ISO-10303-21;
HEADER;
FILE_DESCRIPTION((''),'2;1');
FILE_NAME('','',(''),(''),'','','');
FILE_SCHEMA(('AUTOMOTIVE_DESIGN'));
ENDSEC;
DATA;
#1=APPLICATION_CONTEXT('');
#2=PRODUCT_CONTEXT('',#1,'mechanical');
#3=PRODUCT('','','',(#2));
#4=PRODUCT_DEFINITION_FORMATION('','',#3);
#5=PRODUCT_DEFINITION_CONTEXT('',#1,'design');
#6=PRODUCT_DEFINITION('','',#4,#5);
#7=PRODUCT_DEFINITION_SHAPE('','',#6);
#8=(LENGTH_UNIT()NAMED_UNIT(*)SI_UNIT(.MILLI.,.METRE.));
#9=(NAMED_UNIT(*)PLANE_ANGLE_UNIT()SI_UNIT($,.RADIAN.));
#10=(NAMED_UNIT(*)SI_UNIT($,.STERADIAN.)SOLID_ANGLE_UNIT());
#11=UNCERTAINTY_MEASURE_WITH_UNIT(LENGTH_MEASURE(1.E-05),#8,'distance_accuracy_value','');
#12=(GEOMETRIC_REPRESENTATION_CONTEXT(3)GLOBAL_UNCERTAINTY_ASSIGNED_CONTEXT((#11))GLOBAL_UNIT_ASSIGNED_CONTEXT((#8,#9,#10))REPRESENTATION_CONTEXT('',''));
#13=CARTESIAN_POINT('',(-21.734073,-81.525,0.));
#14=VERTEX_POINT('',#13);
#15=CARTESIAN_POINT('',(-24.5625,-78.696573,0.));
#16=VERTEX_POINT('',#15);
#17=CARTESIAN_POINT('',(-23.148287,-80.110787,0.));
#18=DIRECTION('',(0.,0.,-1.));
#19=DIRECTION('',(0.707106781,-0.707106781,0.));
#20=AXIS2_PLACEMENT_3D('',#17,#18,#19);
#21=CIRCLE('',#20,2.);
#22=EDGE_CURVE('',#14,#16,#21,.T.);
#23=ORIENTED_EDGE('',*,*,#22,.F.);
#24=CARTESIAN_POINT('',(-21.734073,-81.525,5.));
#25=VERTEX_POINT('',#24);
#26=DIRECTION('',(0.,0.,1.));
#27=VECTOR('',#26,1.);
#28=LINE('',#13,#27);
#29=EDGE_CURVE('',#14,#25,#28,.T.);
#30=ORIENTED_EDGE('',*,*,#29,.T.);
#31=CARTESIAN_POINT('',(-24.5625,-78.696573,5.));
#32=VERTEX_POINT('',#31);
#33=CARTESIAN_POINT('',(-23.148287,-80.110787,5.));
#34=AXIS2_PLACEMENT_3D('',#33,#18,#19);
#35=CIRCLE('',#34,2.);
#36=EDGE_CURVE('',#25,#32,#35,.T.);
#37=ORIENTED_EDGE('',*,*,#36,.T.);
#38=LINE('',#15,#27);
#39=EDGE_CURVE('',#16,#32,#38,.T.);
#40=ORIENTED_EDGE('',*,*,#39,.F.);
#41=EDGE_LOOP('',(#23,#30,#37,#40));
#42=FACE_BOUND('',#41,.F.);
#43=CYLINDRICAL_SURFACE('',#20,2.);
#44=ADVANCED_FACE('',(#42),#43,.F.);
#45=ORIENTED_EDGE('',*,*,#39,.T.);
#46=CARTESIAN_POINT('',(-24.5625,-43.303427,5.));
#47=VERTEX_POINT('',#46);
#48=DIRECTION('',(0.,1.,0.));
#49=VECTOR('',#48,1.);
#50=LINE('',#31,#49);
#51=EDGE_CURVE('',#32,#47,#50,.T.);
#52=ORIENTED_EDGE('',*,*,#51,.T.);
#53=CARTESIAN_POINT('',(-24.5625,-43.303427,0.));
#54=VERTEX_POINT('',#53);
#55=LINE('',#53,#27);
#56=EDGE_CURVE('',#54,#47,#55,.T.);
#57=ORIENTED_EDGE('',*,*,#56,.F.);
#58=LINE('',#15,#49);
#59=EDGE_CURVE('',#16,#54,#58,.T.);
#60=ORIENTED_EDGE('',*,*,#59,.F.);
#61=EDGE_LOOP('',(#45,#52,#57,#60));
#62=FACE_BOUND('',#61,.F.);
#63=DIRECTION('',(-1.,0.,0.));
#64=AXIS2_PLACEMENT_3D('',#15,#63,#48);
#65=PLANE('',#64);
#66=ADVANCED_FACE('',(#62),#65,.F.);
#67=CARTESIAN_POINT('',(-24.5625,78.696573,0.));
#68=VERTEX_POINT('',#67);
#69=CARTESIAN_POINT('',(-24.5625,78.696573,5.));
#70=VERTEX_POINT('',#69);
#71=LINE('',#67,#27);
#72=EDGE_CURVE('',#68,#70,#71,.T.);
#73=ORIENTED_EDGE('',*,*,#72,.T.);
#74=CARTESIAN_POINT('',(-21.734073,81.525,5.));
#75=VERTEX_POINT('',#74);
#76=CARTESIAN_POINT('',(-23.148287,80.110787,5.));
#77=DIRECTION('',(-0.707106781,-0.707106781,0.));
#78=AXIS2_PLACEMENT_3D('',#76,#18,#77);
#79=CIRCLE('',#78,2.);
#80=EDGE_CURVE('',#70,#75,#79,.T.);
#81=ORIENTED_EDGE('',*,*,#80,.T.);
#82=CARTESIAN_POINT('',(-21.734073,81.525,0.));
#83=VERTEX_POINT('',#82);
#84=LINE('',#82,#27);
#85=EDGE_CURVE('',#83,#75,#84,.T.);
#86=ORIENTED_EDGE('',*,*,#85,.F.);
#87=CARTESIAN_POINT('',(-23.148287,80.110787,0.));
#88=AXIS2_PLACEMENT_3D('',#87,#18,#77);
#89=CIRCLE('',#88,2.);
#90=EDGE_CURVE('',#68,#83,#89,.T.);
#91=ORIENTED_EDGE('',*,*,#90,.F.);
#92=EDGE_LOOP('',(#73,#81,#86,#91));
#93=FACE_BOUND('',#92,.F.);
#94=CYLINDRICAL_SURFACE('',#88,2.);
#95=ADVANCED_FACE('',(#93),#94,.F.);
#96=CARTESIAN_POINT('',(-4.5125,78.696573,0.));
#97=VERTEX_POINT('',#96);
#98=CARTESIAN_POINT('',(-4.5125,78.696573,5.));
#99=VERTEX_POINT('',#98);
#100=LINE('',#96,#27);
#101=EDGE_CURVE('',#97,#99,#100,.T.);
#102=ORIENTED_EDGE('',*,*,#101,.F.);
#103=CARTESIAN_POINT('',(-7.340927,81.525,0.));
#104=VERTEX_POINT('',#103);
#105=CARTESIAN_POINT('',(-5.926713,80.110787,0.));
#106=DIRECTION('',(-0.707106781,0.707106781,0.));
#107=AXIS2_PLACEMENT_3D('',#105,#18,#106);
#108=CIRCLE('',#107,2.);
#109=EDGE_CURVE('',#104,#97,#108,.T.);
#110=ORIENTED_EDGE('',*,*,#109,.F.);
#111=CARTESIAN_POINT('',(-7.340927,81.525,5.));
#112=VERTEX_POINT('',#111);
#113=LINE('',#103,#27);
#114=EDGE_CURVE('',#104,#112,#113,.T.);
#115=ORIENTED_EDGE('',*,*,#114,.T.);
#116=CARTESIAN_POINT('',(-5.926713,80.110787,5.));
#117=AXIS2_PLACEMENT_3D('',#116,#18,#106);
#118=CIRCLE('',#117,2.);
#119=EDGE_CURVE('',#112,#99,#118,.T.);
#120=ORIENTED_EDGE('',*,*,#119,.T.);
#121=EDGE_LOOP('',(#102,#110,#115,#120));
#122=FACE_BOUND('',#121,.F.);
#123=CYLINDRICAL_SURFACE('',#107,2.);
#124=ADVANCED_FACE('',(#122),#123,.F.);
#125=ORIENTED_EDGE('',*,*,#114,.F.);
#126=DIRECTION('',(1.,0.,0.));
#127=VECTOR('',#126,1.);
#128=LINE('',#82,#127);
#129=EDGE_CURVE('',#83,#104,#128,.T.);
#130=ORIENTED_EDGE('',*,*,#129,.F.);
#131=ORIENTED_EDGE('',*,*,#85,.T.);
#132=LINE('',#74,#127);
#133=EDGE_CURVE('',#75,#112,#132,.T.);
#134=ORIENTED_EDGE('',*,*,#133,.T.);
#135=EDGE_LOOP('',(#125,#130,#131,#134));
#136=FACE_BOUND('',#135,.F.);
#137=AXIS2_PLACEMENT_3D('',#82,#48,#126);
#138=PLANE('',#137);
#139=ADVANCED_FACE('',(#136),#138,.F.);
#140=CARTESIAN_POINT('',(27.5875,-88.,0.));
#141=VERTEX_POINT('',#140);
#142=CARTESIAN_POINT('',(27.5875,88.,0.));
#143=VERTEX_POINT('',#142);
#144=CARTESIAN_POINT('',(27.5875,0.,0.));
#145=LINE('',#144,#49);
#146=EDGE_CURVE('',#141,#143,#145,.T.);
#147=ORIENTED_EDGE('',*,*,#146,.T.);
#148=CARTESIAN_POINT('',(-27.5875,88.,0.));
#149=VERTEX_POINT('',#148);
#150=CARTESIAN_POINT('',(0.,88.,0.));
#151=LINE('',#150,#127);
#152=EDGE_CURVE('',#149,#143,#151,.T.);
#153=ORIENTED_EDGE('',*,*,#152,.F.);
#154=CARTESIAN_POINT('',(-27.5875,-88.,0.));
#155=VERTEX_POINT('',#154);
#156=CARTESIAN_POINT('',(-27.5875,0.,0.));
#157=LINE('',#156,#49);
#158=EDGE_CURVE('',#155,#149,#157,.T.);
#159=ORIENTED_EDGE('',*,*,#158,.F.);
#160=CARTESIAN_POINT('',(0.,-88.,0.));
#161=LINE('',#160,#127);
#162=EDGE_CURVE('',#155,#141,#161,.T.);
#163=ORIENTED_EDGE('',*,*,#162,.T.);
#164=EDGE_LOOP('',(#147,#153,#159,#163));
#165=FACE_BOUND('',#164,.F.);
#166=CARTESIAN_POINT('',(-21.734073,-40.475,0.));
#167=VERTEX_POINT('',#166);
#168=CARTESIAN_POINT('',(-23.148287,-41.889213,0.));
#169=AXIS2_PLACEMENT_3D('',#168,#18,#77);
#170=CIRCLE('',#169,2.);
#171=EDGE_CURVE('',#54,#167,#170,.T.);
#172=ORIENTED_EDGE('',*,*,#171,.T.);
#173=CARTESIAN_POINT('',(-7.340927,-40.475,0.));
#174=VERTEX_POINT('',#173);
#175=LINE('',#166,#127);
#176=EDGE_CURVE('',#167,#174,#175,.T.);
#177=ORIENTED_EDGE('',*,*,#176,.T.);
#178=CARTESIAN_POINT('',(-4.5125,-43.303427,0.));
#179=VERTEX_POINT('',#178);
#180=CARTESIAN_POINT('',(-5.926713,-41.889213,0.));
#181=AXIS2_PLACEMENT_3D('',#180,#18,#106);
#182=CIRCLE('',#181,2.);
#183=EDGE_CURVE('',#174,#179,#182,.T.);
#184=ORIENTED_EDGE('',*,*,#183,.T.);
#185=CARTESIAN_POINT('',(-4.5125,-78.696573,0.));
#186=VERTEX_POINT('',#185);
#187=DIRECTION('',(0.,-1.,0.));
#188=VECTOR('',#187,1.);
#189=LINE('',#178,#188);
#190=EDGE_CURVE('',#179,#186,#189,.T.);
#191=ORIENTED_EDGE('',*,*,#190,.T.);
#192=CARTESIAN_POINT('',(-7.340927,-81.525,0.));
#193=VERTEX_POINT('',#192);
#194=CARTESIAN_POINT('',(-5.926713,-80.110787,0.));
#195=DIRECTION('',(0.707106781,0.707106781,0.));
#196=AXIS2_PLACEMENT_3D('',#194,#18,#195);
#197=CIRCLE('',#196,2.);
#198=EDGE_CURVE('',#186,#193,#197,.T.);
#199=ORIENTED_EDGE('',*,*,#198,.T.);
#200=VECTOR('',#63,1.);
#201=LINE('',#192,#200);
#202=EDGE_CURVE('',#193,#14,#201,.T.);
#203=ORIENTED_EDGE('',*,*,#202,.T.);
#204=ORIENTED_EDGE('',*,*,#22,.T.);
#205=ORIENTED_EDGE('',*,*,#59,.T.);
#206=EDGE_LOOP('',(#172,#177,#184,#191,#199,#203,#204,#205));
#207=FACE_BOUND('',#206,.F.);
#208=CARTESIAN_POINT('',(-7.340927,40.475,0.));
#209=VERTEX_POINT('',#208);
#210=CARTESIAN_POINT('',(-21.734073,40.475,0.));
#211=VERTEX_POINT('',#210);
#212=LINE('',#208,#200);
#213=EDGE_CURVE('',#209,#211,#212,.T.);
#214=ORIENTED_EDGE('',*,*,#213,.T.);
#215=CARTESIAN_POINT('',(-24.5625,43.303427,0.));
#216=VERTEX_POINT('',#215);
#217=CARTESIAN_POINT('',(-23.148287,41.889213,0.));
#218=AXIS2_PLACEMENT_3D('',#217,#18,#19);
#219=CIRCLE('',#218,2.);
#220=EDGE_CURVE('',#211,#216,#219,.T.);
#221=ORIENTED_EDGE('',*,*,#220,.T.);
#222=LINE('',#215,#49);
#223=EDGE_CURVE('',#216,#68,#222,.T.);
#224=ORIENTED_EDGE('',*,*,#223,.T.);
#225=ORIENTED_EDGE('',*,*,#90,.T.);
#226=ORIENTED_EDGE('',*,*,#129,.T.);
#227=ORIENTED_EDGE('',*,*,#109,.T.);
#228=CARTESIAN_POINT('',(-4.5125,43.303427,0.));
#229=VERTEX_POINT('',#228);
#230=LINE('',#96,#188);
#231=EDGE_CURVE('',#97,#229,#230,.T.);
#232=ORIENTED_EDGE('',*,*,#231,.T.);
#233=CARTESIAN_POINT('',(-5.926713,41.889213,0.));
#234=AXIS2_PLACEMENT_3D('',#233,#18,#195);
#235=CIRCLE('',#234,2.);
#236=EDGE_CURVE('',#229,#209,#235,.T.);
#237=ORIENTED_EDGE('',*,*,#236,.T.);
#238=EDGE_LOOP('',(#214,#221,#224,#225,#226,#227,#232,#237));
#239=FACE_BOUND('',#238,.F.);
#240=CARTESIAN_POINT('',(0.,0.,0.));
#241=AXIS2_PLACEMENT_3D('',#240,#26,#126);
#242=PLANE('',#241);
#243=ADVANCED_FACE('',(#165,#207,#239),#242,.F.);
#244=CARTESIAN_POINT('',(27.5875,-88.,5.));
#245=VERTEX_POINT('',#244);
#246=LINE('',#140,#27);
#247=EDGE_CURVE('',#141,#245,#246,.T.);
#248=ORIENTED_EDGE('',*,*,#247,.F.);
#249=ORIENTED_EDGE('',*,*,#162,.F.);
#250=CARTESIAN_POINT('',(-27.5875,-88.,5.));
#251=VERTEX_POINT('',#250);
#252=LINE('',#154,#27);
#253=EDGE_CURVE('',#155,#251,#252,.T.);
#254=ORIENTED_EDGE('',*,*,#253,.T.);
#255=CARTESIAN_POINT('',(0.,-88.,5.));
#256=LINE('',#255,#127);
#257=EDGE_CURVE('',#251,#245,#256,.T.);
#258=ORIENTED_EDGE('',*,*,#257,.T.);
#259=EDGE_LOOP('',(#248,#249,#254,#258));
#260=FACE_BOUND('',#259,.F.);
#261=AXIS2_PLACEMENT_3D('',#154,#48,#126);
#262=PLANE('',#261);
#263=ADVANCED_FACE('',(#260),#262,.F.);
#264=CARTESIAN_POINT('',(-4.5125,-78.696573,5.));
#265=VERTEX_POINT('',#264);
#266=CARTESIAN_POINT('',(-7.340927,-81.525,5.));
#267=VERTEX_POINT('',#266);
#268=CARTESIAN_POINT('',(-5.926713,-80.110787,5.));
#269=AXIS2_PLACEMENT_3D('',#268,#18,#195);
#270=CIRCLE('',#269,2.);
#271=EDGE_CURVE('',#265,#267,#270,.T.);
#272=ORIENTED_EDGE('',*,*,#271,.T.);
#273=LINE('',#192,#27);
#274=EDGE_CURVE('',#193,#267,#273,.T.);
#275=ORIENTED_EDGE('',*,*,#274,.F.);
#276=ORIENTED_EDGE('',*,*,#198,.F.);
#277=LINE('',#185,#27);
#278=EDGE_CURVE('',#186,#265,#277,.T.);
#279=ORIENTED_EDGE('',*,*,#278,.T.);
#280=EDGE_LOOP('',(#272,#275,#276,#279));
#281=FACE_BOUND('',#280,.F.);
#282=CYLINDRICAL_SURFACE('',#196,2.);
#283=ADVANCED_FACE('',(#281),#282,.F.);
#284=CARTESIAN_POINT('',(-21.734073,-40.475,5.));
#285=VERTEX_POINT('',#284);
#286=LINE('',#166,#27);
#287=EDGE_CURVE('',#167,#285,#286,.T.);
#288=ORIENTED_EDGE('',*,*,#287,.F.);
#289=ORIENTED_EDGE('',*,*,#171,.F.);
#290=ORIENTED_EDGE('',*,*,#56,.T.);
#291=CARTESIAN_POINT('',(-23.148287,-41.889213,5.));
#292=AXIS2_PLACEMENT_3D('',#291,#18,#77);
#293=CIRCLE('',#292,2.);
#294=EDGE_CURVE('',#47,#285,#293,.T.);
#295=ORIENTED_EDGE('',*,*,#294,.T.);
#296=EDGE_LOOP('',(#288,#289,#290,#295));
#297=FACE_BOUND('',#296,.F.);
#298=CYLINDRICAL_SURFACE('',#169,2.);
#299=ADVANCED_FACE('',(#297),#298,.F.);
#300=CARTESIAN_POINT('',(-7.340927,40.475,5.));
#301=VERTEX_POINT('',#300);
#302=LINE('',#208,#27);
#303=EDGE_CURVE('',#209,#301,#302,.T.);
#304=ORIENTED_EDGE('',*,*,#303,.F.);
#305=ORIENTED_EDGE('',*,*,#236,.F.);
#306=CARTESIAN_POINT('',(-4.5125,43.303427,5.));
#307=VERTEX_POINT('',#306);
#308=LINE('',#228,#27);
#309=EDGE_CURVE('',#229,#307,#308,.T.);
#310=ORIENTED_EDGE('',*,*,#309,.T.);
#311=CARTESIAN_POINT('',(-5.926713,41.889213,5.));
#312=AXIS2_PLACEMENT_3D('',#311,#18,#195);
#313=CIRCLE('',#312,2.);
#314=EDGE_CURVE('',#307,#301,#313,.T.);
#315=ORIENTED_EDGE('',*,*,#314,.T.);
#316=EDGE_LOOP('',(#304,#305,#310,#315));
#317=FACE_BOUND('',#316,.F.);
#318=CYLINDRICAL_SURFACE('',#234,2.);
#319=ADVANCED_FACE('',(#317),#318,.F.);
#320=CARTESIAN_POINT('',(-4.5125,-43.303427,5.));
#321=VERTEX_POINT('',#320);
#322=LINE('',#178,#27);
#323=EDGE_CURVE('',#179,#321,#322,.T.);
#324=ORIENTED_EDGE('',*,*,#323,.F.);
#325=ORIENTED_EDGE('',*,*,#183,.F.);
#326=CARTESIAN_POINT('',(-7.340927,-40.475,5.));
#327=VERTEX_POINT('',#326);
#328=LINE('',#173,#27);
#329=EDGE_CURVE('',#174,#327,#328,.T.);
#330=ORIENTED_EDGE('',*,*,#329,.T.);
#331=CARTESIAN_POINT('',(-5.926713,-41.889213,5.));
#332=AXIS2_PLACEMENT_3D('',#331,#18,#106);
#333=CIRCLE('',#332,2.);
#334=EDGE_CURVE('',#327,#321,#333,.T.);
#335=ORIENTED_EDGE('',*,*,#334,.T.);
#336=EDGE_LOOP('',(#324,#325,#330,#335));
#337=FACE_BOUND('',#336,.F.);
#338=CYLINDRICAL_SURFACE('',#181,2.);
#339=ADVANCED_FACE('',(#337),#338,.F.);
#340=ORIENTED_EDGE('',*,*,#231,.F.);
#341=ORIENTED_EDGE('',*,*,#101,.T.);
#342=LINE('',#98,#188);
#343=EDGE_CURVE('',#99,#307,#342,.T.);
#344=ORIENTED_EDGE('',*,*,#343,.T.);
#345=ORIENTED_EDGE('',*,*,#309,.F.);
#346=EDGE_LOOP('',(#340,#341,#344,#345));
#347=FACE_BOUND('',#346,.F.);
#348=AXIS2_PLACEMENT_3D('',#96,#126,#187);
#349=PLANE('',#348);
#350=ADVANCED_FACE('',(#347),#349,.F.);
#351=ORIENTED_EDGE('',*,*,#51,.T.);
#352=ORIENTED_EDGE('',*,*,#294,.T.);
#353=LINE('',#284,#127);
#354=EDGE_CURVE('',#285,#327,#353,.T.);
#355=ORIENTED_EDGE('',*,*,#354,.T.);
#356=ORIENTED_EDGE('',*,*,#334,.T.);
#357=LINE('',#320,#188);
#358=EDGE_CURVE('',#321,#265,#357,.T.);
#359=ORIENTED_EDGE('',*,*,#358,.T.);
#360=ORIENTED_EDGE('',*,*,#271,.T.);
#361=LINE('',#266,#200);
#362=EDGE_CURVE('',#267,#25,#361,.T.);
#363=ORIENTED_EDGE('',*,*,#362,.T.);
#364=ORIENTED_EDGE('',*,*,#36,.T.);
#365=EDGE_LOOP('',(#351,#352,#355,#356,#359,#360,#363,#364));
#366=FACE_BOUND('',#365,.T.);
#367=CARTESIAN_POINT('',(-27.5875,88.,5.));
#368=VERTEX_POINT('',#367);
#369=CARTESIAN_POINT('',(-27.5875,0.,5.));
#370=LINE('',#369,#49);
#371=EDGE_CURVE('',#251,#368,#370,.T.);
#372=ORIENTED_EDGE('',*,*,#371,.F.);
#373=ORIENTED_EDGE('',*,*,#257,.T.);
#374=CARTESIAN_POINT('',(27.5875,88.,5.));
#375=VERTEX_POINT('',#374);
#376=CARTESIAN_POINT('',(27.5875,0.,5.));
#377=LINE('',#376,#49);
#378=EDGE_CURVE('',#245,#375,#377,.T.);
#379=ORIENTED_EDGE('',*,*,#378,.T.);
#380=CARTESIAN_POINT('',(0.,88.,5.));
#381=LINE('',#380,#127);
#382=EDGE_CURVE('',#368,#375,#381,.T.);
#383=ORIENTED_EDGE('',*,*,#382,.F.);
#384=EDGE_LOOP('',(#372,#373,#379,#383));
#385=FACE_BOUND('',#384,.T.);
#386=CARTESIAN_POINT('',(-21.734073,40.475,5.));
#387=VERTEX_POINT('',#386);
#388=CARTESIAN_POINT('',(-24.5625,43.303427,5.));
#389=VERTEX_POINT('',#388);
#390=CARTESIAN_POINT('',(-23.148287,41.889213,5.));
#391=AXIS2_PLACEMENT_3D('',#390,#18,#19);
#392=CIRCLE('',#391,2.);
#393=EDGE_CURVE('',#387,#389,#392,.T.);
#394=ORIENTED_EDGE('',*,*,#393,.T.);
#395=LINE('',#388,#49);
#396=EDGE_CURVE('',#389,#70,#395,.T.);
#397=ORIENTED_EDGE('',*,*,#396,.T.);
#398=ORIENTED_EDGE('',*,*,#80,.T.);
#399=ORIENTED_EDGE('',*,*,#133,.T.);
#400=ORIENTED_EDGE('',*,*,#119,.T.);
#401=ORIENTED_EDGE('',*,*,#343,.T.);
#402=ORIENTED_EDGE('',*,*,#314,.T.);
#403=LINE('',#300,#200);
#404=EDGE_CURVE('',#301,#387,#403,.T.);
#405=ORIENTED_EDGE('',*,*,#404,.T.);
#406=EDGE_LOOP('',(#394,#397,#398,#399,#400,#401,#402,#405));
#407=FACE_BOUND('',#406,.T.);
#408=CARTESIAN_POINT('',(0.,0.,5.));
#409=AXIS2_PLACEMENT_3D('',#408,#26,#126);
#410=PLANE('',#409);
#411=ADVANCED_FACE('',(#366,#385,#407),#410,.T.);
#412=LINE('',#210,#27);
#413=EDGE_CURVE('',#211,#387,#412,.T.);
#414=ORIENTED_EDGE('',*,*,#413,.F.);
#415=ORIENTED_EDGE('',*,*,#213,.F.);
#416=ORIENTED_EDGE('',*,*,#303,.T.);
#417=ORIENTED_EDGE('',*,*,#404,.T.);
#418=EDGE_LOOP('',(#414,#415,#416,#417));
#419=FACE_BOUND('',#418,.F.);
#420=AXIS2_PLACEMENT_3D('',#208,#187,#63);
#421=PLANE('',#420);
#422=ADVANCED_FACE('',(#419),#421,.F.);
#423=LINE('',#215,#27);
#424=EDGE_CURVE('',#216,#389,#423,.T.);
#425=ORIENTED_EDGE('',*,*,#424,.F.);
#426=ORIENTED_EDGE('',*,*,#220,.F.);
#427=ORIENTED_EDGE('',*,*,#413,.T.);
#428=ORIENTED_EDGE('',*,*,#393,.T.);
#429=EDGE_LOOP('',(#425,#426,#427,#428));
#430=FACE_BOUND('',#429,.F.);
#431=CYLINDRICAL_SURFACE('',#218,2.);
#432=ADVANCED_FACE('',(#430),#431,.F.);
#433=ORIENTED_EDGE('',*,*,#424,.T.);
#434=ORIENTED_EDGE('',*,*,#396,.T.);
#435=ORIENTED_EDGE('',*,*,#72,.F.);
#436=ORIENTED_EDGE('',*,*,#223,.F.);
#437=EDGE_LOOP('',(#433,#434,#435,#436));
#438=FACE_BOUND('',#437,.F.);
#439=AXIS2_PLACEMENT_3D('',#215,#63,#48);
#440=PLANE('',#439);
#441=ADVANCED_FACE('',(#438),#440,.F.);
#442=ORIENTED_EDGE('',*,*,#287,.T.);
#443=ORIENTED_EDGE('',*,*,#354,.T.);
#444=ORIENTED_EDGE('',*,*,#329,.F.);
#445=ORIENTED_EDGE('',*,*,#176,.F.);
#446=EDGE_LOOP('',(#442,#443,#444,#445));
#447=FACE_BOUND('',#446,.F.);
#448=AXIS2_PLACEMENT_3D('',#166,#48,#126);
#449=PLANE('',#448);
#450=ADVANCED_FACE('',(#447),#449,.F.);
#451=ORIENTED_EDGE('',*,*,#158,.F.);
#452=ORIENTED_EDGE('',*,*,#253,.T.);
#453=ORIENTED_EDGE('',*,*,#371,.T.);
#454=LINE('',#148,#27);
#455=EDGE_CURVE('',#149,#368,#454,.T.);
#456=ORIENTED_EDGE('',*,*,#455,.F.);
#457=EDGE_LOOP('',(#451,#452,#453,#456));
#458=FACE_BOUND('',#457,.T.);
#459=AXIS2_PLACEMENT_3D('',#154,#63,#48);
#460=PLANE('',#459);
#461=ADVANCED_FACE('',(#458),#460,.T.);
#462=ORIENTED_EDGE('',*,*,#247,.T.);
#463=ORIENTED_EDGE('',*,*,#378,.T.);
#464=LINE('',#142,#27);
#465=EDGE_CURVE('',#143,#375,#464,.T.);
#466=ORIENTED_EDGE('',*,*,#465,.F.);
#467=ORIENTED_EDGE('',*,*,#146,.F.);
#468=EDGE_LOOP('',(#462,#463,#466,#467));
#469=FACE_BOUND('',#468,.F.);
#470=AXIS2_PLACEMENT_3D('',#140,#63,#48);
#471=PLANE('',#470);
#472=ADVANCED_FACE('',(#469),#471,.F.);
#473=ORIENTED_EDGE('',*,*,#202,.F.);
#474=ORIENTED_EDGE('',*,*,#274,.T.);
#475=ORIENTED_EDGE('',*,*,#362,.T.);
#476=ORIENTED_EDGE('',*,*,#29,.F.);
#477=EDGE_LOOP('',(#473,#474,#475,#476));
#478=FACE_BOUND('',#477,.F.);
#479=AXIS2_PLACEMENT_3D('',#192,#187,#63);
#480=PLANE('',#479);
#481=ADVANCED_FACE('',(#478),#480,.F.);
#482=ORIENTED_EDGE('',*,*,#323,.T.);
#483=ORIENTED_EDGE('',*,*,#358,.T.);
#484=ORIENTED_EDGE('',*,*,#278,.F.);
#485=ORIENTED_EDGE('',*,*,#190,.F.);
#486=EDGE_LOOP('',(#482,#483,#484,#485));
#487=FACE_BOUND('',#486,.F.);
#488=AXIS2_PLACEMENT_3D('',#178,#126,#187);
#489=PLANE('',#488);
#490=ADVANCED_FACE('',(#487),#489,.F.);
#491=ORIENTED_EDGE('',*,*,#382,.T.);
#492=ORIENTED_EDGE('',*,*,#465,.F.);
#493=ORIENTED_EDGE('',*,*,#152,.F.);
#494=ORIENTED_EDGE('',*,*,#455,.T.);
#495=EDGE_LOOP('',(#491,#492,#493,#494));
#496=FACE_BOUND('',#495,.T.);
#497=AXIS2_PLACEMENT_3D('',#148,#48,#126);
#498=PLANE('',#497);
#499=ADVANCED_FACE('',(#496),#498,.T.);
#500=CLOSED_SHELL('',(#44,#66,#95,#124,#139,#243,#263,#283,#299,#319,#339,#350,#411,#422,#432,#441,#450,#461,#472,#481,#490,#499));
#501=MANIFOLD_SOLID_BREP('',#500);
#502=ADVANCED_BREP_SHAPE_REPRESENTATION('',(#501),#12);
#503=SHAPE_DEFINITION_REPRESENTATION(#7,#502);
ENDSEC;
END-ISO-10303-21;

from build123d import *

# Parameters (mm, degrees)
F0_W     = 55.175
F0_H     = 176
F1_DEPTH = 5


with BuildPart() as f1:
    # F0 (on Top) → F1 (new body)
    with BuildSketch(Plane.XY):
        Rectangle(F0_W, F0_H)
        with BuildLine():
            ThreePointArc((-24.5625, -43.303427), (-24.5625, -40.475), (-21.734073, -40.475))
            Line((-21.734073, -40.475), (-7.340927, -40.475))
            ThreePointArc((-7.340927, -40.475), (-4.5125, -40.475), (-4.5125, -43.303427))
            Line((-4.5125, -43.303427), (-4.5125, -55.775))
            Line((-4.5125, -55.775), (-4.5125, -78.696573))
            ThreePointArc((-4.5125, -78.696573), (-4.5125, -81.525), (-7.340927, -81.525))
            Line((-7.340927, -81.525), (-21.734073, -81.525))
            ThreePointArc((-21.734073, -81.525), (-24.5625, -81.525), (-24.5625, -78.696573))
            Line((-24.5625, -78.696573), (-24.5625, -55.775))
            Line((-24.5625, -55.775), (-24.5625, -43.303427))
        make_face(mode=Mode.SUBTRACT)
        with BuildLine():
            Line((-24.5625, 43.303427), (-24.5625, 55.775))
            Line((-24.5625, 55.775), (-24.5625, 78.696573))
            ThreePointArc((-24.5625, 78.696573), (-24.5625, 81.525), (-21.734073, 81.525))
            Line((-21.734073, 81.525), (-7.340927, 81.525))
            ThreePointArc((-7.340927, 81.525), (-4.5125, 81.525), (-4.5125, 78.696573))
            Line((-4.5125, 78.696573), (-4.5125, 55.775))
            Line((-4.5125, 55.775), (-4.5125, 43.303427))
            ThreePointArc((-4.5125, 43.303427), (-4.5125, 40.475), (-7.340927, 40.475))
            Line((-7.340927, 40.475), (-21.734073, 40.475))
            ThreePointArc((-21.734073, 40.475), (-24.5625, 40.475), (-24.5625, 43.303427))
        make_face(mode=Mode.SUBTRACT)
    extrude(amount=F1_DEPTH)


solid = f1.part
